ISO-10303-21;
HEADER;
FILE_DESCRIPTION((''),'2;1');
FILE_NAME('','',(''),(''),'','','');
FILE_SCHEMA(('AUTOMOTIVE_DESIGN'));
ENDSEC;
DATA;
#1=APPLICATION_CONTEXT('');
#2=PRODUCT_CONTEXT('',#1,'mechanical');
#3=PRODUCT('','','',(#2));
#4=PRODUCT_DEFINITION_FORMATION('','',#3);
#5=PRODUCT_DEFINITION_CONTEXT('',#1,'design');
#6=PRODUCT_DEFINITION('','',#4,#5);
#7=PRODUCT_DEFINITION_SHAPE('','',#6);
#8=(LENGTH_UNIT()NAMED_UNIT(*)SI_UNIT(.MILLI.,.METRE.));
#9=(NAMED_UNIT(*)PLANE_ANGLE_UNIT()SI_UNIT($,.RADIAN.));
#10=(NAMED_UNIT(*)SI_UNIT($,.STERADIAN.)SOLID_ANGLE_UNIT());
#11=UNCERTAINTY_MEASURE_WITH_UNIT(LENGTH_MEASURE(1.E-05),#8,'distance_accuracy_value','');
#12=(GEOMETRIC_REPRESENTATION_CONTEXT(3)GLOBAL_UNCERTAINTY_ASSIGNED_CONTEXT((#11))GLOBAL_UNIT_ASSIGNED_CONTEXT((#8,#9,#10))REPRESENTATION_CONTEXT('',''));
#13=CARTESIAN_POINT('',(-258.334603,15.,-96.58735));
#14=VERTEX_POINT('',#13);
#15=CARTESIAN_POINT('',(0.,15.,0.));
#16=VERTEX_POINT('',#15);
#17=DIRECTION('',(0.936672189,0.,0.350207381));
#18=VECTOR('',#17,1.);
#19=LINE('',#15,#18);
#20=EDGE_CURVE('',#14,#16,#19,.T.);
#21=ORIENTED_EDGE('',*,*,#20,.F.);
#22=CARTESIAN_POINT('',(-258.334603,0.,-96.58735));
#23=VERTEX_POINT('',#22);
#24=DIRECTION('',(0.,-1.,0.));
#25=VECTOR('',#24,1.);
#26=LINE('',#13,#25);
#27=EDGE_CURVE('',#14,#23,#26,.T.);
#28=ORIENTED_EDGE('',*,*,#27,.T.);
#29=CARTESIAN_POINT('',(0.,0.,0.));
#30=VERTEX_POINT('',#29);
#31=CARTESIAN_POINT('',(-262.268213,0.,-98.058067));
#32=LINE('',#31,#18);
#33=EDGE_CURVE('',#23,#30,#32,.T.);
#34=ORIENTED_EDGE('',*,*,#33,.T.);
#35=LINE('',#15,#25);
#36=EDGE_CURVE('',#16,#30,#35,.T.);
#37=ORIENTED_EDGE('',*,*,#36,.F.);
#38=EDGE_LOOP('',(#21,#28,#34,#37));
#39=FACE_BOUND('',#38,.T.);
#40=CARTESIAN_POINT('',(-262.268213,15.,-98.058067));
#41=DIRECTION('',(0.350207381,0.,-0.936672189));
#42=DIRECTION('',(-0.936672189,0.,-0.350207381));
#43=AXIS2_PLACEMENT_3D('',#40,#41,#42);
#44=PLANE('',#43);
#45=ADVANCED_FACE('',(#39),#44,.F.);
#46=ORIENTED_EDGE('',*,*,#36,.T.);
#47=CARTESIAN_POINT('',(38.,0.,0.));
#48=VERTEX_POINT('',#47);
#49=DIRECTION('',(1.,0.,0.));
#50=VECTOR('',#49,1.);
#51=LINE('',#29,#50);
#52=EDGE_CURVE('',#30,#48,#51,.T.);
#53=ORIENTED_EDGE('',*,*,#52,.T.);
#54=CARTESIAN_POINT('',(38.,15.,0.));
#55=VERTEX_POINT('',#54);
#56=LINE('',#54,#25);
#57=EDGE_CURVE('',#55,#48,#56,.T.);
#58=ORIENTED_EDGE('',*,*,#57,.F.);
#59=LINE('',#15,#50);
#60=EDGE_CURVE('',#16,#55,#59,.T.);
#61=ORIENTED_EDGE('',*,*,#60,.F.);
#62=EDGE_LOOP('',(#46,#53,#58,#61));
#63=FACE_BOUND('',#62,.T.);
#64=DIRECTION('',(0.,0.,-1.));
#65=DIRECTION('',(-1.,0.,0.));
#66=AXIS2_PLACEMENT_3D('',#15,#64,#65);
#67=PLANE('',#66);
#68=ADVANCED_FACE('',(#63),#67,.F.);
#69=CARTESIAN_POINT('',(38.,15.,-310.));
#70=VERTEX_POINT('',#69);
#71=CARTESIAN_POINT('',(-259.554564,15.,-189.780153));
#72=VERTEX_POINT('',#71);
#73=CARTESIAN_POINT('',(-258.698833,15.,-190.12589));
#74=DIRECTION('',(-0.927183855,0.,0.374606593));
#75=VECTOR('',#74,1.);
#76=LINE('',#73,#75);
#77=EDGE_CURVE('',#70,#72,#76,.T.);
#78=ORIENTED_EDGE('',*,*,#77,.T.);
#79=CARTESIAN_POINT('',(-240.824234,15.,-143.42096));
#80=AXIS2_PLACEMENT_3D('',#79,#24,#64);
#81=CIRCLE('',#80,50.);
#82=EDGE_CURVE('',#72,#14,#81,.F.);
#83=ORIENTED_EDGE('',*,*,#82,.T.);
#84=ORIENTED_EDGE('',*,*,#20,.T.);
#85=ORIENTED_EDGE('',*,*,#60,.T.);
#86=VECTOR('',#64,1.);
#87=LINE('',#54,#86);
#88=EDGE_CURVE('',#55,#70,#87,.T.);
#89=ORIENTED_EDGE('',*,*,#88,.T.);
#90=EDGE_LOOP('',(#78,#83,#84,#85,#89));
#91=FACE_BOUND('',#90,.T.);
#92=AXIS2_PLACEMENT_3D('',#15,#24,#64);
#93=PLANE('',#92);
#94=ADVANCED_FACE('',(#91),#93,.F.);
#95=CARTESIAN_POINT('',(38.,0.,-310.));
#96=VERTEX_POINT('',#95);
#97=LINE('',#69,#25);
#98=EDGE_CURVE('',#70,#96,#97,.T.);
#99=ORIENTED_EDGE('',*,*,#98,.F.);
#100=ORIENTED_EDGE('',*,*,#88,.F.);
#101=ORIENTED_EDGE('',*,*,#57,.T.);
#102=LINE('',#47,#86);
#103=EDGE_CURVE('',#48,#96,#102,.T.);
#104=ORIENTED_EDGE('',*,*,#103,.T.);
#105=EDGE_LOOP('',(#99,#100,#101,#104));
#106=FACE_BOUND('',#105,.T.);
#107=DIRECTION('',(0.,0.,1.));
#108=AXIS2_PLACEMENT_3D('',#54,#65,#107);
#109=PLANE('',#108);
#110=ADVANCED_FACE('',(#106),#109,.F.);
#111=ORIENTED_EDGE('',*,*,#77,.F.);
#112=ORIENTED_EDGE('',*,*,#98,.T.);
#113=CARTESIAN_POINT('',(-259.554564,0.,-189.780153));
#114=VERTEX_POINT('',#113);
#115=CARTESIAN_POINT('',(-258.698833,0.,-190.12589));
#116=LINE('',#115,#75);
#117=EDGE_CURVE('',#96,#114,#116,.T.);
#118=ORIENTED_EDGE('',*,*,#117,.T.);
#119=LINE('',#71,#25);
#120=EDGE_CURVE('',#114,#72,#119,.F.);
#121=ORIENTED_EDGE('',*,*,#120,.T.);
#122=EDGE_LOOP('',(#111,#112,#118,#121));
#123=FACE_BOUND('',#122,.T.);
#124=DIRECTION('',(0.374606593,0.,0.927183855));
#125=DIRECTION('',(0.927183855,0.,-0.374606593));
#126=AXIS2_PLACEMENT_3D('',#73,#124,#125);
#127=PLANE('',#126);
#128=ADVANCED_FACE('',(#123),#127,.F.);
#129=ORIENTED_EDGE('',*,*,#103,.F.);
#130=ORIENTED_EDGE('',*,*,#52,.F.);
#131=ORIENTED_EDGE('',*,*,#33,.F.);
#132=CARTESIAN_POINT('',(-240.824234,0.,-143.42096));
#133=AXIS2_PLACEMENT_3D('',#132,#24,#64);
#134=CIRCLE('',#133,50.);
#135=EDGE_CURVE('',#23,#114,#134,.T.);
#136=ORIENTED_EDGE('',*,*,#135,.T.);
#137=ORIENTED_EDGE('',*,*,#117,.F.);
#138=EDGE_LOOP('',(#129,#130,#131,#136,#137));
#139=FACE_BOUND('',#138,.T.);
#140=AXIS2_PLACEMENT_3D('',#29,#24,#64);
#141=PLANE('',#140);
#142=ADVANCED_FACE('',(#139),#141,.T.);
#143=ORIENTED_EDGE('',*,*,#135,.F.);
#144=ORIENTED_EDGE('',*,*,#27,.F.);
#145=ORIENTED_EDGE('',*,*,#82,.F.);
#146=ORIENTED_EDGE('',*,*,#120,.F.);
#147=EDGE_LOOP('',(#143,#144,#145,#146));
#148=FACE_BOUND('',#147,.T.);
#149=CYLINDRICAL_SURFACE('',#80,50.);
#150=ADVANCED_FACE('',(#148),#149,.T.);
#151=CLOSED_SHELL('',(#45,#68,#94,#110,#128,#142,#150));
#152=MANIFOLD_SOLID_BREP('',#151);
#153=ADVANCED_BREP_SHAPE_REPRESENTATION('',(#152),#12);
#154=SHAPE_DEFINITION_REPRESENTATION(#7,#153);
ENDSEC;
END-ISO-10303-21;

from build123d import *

# Parameters (mm, degrees)
BOSS_EXTRUDE1_DEPTH = 15
FILLET1_R           = 50


with BuildPart() as part:
    # Sketch1 → Boss-Extrude1 (new body)
    with BuildSketch(Plane(origin=(0, 0, 0), x_dir=(1, 0, 0), z_dir=(0, 1, 0))):
        Polygon((0, 0), (38, 0), (38, 310), (-258.698833461, 190.125890107), (-378.767030264, 141.61518971), (-262.26821299, 98.058066753), align=None)
    extrude(amount=BOSS_EXTRUDE1_DEPTH)

    # Fillet1
    fillet1_edges = [part.edges().sort_by_distance(p)[0] for p in [
        (-378.767030264, 7.5, -141.61518971),
    ]]
    fillet(fillet1_edges, radius=FILLET1_R)


solid = part.part
